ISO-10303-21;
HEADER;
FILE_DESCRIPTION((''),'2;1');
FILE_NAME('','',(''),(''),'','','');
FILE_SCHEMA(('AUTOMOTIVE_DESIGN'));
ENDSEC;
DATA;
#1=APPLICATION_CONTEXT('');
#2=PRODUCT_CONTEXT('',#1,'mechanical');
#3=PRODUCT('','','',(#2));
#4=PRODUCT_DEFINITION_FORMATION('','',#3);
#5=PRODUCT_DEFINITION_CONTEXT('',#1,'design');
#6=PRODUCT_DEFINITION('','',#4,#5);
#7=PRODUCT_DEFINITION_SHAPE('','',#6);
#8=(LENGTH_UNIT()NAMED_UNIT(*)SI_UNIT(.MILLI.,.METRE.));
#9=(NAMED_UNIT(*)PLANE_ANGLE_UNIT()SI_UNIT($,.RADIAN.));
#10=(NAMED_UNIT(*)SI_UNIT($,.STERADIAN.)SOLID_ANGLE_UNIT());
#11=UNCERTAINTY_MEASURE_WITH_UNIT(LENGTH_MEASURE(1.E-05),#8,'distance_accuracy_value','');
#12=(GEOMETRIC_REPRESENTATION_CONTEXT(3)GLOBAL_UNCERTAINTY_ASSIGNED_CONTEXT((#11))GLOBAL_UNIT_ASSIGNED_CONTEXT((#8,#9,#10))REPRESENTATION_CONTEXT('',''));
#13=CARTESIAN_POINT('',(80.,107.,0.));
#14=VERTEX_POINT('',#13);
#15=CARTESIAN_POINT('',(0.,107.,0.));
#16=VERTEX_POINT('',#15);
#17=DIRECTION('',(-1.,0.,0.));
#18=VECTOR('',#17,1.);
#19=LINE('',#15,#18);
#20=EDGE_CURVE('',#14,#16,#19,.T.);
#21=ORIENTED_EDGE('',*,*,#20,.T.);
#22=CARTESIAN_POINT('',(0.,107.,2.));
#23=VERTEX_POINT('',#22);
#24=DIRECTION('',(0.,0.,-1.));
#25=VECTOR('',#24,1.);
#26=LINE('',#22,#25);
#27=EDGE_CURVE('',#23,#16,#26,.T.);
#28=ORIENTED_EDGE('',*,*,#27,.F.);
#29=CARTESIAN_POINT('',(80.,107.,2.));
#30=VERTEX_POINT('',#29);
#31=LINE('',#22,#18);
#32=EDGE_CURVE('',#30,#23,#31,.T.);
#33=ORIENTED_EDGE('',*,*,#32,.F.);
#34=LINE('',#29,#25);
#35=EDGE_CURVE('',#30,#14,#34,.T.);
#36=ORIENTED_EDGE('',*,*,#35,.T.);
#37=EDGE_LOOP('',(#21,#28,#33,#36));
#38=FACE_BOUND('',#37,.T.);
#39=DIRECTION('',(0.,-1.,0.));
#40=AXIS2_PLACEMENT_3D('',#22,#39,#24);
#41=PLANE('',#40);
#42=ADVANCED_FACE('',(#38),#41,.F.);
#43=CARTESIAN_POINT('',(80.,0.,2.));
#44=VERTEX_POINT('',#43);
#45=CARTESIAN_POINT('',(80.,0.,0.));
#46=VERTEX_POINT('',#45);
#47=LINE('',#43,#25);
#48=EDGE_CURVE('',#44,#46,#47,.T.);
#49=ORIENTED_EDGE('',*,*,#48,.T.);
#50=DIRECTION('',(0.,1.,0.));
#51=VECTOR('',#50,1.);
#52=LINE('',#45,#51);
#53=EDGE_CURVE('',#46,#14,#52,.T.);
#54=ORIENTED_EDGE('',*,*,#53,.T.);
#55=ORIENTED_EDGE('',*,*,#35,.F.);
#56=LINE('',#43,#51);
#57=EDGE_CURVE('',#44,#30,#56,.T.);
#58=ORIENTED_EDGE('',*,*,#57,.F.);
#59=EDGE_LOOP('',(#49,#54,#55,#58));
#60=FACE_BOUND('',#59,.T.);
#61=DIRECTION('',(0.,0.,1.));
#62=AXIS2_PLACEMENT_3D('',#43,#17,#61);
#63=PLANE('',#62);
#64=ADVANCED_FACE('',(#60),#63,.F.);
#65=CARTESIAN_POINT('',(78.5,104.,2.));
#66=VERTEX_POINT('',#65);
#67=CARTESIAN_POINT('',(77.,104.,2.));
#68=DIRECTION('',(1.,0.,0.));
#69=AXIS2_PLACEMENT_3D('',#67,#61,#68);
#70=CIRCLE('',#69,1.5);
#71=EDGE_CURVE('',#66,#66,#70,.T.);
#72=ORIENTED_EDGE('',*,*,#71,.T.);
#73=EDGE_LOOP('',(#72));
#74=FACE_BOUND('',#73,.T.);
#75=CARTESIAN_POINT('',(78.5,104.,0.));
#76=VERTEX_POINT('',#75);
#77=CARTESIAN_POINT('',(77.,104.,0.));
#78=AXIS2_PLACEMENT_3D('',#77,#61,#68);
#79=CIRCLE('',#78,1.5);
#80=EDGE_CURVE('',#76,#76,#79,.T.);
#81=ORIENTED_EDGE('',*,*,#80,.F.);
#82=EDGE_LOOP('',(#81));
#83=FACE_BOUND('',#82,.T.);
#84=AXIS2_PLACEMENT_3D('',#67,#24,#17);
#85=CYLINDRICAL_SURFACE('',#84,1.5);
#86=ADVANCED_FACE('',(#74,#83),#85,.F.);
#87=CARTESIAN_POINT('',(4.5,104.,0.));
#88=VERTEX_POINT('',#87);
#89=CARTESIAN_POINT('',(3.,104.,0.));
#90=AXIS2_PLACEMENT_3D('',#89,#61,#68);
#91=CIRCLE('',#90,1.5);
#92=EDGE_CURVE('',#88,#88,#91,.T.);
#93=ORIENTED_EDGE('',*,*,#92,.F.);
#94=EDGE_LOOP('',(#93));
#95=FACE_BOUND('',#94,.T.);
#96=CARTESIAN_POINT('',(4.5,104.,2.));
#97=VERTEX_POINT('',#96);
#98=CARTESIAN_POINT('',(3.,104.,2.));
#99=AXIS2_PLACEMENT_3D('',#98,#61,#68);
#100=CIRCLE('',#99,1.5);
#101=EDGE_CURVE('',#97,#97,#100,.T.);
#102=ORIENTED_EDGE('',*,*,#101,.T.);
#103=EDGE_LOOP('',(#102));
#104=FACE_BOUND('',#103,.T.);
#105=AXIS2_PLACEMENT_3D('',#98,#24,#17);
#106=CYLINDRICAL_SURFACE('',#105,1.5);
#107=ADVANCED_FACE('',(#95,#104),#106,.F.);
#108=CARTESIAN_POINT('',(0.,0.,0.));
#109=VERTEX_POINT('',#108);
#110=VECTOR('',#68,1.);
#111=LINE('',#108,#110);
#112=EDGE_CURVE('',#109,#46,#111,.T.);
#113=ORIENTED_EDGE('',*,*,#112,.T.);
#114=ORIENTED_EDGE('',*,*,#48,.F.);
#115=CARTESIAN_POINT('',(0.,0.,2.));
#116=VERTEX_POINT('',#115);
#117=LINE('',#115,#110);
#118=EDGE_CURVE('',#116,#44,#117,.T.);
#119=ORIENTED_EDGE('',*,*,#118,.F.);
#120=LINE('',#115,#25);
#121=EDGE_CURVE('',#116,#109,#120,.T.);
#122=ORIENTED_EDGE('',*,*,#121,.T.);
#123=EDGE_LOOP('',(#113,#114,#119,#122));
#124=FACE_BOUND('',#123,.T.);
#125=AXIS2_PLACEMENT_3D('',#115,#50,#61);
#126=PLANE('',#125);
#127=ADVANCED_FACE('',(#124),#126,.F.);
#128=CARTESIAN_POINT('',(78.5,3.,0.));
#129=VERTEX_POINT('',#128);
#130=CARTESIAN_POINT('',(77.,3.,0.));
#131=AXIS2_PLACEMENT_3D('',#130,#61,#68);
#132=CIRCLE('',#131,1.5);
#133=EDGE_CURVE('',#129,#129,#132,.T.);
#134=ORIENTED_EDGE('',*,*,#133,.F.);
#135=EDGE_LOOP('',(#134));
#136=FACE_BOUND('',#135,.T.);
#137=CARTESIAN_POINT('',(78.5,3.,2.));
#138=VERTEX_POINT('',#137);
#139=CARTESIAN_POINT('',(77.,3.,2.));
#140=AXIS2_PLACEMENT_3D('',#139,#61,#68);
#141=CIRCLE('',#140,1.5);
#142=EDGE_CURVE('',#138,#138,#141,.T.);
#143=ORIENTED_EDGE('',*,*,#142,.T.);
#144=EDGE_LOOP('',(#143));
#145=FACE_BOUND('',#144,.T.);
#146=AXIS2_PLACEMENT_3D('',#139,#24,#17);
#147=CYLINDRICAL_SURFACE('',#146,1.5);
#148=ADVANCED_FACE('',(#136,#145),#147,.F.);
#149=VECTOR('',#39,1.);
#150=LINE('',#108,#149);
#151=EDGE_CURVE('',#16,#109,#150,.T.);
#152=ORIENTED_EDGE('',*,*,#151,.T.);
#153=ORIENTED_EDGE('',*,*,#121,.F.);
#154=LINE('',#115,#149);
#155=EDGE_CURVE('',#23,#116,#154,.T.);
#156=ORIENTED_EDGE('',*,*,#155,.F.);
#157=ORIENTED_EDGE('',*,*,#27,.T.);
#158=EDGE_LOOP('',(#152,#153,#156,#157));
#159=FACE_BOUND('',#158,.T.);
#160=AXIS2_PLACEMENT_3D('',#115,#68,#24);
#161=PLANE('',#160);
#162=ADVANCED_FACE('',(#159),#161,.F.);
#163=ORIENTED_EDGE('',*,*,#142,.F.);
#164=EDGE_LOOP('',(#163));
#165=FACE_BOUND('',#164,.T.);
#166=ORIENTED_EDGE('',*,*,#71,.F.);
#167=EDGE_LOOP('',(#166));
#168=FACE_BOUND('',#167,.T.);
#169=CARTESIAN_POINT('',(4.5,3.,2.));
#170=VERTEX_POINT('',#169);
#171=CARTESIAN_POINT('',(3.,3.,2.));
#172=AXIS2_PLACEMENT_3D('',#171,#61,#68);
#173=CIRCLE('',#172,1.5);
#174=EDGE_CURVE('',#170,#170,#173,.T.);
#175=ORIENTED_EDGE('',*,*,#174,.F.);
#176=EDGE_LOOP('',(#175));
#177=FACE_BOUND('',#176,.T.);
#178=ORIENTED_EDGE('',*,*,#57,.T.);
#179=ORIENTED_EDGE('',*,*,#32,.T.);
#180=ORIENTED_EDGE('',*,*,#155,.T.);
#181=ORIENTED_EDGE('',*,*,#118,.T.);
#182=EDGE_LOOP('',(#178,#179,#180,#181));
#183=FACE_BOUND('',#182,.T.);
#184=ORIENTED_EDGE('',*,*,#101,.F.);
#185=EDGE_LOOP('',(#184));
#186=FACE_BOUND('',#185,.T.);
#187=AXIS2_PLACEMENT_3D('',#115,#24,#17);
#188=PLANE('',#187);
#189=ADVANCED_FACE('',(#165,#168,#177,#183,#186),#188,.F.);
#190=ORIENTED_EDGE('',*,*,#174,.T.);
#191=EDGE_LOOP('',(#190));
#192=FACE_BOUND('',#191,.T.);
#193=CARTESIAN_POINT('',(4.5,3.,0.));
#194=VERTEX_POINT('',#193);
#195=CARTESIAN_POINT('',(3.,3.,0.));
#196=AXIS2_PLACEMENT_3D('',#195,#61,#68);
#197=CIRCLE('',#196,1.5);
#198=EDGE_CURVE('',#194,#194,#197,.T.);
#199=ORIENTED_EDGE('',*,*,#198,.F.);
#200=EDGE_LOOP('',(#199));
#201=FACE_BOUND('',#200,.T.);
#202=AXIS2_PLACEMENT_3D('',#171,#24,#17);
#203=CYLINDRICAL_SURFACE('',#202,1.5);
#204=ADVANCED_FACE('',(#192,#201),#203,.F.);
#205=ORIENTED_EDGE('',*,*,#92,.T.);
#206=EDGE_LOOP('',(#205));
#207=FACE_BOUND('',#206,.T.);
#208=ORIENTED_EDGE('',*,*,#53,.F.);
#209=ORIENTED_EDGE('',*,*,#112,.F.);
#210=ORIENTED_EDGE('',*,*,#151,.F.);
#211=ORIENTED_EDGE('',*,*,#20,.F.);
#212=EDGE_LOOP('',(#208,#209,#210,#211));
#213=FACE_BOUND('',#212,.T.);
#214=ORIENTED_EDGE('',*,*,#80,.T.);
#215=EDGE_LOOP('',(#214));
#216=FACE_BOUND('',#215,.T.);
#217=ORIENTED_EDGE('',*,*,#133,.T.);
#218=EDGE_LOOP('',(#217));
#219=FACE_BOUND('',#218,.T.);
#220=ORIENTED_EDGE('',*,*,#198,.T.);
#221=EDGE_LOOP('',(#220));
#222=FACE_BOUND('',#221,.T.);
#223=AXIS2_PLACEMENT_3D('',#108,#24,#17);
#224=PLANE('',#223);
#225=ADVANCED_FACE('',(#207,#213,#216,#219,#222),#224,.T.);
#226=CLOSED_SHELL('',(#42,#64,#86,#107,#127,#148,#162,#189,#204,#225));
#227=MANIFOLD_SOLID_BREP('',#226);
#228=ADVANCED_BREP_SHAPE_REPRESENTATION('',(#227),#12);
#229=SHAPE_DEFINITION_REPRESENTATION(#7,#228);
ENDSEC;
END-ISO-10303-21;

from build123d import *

# Parameters (mm, degrees)
IZIM1_W                     = 80
IZIM1_H                     = 107
IZIM1_R                     = 1.5
Y_KSEKLIK_EKSTR_ZYON1_DEPTH = 2


with BuildPart() as part:
    # Çizim1 → Yükseklik-Ekstrüzyon1 (new body)
    with BuildSketch(Plane.XY):
        with Locations((40, 53.5)):
            Rectangle(IZIM1_W, IZIM1_H)
        with Locations((3, 3)):
            Circle(IZIM1_R, mode=Mode.SUBTRACT)
        with Locations((77, 3)):
            Circle(IZIM1_R, mode=Mode.SUBTRACT)
        with Locations((77, 104)):
            Circle(IZIM1_R, mode=Mode.SUBTRACT)
        with Locations((3, 104)):
            Circle(IZIM1_R, mode=Mode.SUBTRACT)
    extrude(amount=Y_KSEKLIK_EKSTR_ZYON1_DEPTH)


solid = part.part
